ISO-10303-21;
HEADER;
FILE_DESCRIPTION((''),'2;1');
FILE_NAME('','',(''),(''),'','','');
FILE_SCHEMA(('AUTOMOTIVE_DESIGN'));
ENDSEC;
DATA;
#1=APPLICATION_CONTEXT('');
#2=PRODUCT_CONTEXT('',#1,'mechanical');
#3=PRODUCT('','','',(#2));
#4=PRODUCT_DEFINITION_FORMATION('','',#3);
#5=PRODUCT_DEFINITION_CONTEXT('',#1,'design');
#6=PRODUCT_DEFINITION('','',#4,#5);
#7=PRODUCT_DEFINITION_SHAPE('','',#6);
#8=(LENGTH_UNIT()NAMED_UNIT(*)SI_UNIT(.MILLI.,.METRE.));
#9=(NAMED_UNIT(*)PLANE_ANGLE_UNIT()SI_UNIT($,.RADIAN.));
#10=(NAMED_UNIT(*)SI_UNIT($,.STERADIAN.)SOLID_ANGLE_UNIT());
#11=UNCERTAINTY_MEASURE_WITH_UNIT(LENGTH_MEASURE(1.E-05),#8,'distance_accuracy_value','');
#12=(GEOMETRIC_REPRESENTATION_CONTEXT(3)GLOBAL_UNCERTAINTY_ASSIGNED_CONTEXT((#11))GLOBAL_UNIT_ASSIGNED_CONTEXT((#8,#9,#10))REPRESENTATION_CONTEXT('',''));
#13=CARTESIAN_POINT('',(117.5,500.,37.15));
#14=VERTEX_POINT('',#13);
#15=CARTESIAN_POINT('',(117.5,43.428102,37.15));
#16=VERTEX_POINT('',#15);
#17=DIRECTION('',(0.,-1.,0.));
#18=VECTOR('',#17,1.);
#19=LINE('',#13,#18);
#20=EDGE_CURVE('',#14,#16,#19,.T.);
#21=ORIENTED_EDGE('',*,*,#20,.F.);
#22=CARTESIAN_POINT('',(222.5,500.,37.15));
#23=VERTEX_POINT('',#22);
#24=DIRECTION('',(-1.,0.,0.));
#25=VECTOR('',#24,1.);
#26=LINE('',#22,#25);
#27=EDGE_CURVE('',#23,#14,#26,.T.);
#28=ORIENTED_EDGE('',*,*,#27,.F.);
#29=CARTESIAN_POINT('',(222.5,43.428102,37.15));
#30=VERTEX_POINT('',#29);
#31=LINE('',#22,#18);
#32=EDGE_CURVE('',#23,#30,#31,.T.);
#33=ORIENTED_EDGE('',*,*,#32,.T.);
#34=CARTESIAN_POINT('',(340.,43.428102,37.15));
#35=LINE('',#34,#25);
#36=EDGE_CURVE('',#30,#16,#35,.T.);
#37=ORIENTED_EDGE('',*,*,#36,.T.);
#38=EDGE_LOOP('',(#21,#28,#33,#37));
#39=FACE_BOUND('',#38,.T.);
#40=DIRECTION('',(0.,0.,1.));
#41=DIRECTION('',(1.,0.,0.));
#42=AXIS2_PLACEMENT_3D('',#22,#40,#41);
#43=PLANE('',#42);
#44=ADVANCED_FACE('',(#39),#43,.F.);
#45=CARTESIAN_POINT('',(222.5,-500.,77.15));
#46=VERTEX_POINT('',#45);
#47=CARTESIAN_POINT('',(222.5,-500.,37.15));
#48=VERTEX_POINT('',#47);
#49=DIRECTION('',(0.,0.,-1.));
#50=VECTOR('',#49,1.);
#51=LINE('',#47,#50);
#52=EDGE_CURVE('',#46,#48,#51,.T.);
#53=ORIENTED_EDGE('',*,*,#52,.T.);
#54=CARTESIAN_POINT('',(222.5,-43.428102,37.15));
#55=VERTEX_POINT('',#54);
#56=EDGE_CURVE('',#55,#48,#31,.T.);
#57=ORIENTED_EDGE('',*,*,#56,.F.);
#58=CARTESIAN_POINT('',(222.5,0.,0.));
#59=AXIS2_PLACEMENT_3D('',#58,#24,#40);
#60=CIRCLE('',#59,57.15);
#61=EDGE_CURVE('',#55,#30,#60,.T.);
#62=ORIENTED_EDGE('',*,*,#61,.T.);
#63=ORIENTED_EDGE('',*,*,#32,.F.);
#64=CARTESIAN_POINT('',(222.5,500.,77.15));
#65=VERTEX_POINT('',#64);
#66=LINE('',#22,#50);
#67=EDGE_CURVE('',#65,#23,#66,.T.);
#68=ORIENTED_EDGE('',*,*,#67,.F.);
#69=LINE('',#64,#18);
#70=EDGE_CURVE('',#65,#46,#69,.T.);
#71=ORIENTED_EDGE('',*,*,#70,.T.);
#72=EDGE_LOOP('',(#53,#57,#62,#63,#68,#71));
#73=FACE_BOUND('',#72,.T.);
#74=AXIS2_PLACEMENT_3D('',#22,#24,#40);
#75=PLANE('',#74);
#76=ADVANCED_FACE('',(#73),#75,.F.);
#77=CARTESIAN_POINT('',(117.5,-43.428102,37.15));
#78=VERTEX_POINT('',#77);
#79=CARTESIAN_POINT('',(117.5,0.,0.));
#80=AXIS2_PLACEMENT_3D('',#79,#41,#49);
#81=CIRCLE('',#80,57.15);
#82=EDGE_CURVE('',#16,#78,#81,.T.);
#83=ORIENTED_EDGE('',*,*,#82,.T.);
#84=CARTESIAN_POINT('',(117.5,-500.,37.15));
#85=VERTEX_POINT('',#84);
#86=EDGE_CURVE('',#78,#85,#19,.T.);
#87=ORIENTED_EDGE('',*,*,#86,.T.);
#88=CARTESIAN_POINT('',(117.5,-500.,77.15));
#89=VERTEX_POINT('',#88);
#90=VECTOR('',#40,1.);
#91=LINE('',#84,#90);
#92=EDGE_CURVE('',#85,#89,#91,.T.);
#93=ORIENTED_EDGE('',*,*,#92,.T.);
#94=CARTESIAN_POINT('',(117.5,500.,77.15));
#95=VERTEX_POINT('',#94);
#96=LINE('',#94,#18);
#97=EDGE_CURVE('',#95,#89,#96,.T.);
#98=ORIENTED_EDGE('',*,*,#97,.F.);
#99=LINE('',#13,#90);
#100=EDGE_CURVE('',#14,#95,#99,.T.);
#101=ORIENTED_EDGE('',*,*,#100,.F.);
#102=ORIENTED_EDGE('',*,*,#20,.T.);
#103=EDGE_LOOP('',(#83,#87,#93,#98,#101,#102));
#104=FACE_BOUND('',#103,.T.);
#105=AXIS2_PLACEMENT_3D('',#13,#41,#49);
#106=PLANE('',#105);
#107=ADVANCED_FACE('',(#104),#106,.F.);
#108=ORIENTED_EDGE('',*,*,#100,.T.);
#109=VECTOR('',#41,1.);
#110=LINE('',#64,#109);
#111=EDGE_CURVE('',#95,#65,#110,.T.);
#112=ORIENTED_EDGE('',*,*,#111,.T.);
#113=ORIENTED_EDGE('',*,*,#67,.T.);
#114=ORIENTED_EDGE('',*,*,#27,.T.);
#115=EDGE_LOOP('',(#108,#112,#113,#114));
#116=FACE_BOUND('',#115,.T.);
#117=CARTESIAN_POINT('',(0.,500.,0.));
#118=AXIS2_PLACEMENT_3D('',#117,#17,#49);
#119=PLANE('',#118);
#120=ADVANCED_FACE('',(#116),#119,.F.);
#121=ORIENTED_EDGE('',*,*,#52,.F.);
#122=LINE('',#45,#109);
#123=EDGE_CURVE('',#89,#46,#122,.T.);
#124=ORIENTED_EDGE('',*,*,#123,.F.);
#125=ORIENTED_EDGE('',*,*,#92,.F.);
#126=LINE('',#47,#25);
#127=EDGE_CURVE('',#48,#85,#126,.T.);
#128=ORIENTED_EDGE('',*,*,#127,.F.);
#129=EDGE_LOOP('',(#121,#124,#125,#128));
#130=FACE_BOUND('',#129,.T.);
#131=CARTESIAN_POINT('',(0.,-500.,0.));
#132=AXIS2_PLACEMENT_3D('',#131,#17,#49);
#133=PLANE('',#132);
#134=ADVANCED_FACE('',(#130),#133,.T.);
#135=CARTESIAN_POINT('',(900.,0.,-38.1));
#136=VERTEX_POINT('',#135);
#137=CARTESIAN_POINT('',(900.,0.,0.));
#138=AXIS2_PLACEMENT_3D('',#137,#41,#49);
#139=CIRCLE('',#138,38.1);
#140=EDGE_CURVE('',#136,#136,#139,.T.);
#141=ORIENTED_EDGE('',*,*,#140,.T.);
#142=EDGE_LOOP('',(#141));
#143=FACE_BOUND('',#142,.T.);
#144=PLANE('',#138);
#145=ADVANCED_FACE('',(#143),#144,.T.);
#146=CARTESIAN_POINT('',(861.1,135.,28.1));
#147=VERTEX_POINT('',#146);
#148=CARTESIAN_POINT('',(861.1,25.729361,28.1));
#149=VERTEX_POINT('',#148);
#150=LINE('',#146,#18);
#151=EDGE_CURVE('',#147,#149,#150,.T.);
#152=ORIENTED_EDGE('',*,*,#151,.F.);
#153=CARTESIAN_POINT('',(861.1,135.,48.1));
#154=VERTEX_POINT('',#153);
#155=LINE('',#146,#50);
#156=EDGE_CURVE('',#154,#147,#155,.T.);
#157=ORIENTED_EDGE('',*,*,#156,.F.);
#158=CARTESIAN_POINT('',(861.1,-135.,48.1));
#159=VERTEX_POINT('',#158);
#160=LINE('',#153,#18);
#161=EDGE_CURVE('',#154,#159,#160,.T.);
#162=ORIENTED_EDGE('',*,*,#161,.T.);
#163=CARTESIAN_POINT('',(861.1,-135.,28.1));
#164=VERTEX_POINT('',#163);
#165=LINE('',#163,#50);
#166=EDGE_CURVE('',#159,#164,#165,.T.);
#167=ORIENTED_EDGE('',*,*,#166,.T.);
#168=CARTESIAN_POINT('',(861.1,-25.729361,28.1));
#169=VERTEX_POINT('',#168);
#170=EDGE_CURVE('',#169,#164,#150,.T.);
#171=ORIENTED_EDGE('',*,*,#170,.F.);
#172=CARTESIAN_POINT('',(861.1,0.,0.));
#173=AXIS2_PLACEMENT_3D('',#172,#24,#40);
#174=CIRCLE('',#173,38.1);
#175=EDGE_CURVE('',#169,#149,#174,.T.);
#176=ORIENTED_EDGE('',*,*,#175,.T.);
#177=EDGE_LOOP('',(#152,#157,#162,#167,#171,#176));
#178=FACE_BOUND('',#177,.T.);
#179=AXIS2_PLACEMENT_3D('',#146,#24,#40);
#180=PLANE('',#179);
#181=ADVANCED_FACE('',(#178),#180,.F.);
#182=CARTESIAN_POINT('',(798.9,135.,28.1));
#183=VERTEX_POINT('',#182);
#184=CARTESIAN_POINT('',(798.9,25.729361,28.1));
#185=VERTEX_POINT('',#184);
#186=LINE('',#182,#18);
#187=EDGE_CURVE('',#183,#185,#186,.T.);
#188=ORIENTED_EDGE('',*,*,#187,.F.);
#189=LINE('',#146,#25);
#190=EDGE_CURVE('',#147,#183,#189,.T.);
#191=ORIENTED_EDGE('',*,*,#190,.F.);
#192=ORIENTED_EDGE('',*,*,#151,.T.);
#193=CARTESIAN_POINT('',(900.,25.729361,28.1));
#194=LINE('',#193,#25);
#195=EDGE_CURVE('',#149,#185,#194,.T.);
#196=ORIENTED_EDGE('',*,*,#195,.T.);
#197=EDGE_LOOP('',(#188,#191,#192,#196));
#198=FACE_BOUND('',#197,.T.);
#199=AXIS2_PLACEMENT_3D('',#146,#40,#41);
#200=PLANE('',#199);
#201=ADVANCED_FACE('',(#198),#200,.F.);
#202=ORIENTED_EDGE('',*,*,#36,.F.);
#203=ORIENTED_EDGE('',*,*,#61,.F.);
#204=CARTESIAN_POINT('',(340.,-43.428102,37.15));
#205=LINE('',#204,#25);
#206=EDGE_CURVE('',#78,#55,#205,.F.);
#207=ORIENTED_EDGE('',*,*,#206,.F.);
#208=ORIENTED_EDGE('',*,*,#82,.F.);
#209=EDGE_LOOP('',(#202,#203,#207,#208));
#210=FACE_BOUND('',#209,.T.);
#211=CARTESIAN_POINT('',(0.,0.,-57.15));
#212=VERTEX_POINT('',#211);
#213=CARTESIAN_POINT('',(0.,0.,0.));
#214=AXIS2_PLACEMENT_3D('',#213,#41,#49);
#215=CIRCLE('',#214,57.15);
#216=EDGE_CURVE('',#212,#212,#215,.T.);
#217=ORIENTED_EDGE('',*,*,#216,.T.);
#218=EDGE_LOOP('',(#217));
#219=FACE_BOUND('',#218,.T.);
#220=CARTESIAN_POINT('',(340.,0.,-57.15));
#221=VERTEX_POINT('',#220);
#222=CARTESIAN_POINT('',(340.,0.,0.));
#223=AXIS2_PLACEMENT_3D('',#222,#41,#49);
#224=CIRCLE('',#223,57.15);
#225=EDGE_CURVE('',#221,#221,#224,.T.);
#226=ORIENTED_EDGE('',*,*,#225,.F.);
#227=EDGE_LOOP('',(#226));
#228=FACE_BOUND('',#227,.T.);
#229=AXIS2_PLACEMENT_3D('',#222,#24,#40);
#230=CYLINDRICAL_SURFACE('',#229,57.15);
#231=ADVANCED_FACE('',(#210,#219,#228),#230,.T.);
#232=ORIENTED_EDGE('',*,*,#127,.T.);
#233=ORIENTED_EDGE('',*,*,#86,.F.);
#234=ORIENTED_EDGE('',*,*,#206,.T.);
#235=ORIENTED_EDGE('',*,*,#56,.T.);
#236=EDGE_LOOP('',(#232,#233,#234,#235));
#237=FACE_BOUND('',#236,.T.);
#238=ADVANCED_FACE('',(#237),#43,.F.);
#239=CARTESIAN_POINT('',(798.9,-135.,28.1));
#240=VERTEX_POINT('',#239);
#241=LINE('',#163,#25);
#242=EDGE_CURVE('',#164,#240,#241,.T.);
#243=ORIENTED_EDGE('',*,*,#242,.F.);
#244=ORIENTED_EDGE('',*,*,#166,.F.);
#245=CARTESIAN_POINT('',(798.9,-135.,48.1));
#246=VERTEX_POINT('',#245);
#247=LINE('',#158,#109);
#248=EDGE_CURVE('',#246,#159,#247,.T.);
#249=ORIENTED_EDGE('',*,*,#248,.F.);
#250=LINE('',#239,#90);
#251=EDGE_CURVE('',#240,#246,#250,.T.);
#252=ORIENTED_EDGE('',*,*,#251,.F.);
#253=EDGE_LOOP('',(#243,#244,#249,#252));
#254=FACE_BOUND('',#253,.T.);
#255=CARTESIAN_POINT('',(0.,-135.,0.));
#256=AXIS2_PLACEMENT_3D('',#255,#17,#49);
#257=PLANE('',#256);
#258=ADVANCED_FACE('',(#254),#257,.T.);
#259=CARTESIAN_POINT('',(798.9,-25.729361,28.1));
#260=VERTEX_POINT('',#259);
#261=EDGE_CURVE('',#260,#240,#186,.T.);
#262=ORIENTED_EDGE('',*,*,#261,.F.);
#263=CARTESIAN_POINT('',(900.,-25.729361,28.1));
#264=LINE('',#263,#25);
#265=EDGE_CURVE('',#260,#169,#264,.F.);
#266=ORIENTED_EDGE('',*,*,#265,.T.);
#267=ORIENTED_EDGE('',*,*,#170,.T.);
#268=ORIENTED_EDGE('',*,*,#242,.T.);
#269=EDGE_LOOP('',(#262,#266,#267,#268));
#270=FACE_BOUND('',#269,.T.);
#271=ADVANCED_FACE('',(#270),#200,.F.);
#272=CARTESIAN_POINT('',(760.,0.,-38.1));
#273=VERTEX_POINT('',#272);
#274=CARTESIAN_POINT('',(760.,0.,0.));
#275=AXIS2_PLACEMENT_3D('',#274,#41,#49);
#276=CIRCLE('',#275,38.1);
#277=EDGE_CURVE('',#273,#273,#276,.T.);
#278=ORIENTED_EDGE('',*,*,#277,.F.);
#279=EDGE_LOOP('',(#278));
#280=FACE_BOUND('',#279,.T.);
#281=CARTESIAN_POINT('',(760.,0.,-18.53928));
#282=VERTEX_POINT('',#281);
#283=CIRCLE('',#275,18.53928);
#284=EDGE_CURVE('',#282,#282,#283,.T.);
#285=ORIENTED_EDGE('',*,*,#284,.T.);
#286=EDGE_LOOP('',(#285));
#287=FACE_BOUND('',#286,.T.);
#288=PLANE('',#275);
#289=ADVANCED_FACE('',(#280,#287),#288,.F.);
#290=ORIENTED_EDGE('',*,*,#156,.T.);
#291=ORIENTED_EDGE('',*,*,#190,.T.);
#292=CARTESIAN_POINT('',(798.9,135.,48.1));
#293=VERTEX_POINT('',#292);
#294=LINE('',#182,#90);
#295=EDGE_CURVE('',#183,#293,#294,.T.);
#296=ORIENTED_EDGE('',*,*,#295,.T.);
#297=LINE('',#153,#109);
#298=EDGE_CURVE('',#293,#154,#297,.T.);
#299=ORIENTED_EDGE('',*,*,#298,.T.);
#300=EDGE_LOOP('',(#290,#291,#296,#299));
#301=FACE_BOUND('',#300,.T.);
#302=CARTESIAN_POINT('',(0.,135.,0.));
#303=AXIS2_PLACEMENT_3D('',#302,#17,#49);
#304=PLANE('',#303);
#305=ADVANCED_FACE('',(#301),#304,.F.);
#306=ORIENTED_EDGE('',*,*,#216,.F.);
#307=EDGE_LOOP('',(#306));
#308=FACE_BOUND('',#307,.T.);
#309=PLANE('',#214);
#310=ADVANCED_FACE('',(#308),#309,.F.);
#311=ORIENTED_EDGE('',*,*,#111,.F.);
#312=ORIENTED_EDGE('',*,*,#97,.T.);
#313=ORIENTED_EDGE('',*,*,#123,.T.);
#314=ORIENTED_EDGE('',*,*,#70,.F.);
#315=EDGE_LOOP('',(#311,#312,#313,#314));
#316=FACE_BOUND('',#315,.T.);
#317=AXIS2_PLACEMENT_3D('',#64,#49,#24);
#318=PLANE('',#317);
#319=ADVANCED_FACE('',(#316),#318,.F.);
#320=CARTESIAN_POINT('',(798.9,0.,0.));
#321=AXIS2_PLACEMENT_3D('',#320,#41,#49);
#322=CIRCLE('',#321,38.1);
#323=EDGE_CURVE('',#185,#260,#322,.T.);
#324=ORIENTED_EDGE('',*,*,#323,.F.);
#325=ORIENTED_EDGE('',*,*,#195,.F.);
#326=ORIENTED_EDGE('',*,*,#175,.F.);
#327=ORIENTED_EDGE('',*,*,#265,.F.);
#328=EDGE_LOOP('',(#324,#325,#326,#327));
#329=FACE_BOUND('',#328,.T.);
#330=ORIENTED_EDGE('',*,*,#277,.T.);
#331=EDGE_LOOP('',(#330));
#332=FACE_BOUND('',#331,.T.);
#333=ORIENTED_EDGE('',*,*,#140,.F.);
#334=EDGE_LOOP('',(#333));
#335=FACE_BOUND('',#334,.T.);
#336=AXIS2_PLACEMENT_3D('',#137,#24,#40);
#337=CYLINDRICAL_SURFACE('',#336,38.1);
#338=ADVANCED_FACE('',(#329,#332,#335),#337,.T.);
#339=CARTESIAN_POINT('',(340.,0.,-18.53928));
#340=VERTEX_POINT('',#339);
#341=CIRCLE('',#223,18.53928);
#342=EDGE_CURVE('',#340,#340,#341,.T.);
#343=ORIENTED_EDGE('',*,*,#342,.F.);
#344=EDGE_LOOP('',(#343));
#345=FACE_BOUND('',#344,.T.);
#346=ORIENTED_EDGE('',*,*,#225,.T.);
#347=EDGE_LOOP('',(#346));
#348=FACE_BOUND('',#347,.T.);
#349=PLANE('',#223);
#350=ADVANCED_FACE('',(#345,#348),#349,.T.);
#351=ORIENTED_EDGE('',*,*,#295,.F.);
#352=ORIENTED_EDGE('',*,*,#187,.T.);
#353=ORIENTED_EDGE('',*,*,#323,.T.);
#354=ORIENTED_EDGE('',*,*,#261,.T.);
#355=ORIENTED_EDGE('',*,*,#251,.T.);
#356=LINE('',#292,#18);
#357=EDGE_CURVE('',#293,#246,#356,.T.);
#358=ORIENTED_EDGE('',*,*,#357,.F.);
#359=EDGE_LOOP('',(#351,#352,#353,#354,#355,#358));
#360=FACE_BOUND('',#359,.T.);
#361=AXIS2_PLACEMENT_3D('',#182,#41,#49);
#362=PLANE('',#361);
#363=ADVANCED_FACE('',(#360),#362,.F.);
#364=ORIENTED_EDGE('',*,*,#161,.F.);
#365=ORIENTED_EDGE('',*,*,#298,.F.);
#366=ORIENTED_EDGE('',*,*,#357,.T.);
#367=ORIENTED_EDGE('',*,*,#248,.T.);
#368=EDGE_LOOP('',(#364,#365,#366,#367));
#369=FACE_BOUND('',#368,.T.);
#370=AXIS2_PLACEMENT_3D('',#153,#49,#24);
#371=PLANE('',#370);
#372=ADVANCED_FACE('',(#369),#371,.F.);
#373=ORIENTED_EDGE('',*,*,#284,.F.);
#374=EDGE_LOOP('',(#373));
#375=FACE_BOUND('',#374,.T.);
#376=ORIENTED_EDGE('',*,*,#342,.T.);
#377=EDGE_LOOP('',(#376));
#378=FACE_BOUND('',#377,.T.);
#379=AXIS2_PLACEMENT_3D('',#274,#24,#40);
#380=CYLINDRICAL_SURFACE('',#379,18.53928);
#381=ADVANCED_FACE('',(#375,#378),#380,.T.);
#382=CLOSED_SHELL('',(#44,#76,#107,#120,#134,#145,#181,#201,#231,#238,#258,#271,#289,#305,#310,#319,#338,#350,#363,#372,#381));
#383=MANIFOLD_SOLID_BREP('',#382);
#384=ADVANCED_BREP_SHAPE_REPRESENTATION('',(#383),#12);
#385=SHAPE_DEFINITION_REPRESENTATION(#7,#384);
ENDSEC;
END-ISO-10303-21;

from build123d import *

# Parameters (mm, degrees)
SKETCH2_R           = 57.15
BOSS_EXTRUDE1_DEPTH = 340
SKETCH3_R           = 18.53927994
BOSS_EXTRUDE2_DEPTH = 420
SKETCH4_R           = 38.1
BOSS_EXTRUDE3_DEPTH = 140
SKETCH5_W           = 105
SKETCH5_H           = 40
BOSS_EXTRUDE4_DEPTH = 500
SKETCH6_W           = 62.2
SKETCH6_H           = 20
BOSS_EXTRUDE5_DEPTH = 135


with BuildPart() as part:
    # Sketch2 → Boss-Extrude1 (new body)
    with BuildSketch(Plane.YZ):
        with Locations(Location((0, 0, 0), (0, 0, 270))):
            Circle(SKETCH2_R)
    extrude(amount=BOSS_EXTRUDE1_DEPTH)

    # Sketch3 → Boss-Extrude2 (add)
    with BuildSketch(Plane.YZ.offset(340)):
        with Locations(Location((0, 0, 0), (0, 0, 270))):
            Circle(SKETCH3_R)
    extrude(amount=BOSS_EXTRUDE2_DEPTH)

    # Sketch4 → Boss-Extrude3 (add)
    with BuildSketch(Plane.YZ.offset(760)):
        with Locations(Location((0, 0, 0), (0, 0, 270))):
            Circle(SKETCH4_R)
    extrude(amount=BOSS_EXTRUDE3_DEPTH)

    # Sketch5 → Boss-Extrude4 (add, symmetric)
    with BuildSketch(Plane(origin=(0, 0, 0), x_dir=(-1, 0, 0), z_dir=(0, 1, 0))):
        with Locations((-170, 57.15)):
            Rectangle(SKETCH5_W, SKETCH5_H)
    extrude(amount=BOSS_EXTRUDE4_DEPTH, both=True)

    # Sketch6 → Boss-Extrude5 (add, symmetric)
    with BuildSketch(Plane(origin=(0, 0, 0), x_dir=(-1, 0, 0), z_dir=(0, 1, 0))):
        with Locations((-830, 38.1)):
            Rectangle(SKETCH6_W, SKETCH6_H)
    extrude(amount=BOSS_EXTRUDE5_DEPTH, both=True)


solid = part.part
